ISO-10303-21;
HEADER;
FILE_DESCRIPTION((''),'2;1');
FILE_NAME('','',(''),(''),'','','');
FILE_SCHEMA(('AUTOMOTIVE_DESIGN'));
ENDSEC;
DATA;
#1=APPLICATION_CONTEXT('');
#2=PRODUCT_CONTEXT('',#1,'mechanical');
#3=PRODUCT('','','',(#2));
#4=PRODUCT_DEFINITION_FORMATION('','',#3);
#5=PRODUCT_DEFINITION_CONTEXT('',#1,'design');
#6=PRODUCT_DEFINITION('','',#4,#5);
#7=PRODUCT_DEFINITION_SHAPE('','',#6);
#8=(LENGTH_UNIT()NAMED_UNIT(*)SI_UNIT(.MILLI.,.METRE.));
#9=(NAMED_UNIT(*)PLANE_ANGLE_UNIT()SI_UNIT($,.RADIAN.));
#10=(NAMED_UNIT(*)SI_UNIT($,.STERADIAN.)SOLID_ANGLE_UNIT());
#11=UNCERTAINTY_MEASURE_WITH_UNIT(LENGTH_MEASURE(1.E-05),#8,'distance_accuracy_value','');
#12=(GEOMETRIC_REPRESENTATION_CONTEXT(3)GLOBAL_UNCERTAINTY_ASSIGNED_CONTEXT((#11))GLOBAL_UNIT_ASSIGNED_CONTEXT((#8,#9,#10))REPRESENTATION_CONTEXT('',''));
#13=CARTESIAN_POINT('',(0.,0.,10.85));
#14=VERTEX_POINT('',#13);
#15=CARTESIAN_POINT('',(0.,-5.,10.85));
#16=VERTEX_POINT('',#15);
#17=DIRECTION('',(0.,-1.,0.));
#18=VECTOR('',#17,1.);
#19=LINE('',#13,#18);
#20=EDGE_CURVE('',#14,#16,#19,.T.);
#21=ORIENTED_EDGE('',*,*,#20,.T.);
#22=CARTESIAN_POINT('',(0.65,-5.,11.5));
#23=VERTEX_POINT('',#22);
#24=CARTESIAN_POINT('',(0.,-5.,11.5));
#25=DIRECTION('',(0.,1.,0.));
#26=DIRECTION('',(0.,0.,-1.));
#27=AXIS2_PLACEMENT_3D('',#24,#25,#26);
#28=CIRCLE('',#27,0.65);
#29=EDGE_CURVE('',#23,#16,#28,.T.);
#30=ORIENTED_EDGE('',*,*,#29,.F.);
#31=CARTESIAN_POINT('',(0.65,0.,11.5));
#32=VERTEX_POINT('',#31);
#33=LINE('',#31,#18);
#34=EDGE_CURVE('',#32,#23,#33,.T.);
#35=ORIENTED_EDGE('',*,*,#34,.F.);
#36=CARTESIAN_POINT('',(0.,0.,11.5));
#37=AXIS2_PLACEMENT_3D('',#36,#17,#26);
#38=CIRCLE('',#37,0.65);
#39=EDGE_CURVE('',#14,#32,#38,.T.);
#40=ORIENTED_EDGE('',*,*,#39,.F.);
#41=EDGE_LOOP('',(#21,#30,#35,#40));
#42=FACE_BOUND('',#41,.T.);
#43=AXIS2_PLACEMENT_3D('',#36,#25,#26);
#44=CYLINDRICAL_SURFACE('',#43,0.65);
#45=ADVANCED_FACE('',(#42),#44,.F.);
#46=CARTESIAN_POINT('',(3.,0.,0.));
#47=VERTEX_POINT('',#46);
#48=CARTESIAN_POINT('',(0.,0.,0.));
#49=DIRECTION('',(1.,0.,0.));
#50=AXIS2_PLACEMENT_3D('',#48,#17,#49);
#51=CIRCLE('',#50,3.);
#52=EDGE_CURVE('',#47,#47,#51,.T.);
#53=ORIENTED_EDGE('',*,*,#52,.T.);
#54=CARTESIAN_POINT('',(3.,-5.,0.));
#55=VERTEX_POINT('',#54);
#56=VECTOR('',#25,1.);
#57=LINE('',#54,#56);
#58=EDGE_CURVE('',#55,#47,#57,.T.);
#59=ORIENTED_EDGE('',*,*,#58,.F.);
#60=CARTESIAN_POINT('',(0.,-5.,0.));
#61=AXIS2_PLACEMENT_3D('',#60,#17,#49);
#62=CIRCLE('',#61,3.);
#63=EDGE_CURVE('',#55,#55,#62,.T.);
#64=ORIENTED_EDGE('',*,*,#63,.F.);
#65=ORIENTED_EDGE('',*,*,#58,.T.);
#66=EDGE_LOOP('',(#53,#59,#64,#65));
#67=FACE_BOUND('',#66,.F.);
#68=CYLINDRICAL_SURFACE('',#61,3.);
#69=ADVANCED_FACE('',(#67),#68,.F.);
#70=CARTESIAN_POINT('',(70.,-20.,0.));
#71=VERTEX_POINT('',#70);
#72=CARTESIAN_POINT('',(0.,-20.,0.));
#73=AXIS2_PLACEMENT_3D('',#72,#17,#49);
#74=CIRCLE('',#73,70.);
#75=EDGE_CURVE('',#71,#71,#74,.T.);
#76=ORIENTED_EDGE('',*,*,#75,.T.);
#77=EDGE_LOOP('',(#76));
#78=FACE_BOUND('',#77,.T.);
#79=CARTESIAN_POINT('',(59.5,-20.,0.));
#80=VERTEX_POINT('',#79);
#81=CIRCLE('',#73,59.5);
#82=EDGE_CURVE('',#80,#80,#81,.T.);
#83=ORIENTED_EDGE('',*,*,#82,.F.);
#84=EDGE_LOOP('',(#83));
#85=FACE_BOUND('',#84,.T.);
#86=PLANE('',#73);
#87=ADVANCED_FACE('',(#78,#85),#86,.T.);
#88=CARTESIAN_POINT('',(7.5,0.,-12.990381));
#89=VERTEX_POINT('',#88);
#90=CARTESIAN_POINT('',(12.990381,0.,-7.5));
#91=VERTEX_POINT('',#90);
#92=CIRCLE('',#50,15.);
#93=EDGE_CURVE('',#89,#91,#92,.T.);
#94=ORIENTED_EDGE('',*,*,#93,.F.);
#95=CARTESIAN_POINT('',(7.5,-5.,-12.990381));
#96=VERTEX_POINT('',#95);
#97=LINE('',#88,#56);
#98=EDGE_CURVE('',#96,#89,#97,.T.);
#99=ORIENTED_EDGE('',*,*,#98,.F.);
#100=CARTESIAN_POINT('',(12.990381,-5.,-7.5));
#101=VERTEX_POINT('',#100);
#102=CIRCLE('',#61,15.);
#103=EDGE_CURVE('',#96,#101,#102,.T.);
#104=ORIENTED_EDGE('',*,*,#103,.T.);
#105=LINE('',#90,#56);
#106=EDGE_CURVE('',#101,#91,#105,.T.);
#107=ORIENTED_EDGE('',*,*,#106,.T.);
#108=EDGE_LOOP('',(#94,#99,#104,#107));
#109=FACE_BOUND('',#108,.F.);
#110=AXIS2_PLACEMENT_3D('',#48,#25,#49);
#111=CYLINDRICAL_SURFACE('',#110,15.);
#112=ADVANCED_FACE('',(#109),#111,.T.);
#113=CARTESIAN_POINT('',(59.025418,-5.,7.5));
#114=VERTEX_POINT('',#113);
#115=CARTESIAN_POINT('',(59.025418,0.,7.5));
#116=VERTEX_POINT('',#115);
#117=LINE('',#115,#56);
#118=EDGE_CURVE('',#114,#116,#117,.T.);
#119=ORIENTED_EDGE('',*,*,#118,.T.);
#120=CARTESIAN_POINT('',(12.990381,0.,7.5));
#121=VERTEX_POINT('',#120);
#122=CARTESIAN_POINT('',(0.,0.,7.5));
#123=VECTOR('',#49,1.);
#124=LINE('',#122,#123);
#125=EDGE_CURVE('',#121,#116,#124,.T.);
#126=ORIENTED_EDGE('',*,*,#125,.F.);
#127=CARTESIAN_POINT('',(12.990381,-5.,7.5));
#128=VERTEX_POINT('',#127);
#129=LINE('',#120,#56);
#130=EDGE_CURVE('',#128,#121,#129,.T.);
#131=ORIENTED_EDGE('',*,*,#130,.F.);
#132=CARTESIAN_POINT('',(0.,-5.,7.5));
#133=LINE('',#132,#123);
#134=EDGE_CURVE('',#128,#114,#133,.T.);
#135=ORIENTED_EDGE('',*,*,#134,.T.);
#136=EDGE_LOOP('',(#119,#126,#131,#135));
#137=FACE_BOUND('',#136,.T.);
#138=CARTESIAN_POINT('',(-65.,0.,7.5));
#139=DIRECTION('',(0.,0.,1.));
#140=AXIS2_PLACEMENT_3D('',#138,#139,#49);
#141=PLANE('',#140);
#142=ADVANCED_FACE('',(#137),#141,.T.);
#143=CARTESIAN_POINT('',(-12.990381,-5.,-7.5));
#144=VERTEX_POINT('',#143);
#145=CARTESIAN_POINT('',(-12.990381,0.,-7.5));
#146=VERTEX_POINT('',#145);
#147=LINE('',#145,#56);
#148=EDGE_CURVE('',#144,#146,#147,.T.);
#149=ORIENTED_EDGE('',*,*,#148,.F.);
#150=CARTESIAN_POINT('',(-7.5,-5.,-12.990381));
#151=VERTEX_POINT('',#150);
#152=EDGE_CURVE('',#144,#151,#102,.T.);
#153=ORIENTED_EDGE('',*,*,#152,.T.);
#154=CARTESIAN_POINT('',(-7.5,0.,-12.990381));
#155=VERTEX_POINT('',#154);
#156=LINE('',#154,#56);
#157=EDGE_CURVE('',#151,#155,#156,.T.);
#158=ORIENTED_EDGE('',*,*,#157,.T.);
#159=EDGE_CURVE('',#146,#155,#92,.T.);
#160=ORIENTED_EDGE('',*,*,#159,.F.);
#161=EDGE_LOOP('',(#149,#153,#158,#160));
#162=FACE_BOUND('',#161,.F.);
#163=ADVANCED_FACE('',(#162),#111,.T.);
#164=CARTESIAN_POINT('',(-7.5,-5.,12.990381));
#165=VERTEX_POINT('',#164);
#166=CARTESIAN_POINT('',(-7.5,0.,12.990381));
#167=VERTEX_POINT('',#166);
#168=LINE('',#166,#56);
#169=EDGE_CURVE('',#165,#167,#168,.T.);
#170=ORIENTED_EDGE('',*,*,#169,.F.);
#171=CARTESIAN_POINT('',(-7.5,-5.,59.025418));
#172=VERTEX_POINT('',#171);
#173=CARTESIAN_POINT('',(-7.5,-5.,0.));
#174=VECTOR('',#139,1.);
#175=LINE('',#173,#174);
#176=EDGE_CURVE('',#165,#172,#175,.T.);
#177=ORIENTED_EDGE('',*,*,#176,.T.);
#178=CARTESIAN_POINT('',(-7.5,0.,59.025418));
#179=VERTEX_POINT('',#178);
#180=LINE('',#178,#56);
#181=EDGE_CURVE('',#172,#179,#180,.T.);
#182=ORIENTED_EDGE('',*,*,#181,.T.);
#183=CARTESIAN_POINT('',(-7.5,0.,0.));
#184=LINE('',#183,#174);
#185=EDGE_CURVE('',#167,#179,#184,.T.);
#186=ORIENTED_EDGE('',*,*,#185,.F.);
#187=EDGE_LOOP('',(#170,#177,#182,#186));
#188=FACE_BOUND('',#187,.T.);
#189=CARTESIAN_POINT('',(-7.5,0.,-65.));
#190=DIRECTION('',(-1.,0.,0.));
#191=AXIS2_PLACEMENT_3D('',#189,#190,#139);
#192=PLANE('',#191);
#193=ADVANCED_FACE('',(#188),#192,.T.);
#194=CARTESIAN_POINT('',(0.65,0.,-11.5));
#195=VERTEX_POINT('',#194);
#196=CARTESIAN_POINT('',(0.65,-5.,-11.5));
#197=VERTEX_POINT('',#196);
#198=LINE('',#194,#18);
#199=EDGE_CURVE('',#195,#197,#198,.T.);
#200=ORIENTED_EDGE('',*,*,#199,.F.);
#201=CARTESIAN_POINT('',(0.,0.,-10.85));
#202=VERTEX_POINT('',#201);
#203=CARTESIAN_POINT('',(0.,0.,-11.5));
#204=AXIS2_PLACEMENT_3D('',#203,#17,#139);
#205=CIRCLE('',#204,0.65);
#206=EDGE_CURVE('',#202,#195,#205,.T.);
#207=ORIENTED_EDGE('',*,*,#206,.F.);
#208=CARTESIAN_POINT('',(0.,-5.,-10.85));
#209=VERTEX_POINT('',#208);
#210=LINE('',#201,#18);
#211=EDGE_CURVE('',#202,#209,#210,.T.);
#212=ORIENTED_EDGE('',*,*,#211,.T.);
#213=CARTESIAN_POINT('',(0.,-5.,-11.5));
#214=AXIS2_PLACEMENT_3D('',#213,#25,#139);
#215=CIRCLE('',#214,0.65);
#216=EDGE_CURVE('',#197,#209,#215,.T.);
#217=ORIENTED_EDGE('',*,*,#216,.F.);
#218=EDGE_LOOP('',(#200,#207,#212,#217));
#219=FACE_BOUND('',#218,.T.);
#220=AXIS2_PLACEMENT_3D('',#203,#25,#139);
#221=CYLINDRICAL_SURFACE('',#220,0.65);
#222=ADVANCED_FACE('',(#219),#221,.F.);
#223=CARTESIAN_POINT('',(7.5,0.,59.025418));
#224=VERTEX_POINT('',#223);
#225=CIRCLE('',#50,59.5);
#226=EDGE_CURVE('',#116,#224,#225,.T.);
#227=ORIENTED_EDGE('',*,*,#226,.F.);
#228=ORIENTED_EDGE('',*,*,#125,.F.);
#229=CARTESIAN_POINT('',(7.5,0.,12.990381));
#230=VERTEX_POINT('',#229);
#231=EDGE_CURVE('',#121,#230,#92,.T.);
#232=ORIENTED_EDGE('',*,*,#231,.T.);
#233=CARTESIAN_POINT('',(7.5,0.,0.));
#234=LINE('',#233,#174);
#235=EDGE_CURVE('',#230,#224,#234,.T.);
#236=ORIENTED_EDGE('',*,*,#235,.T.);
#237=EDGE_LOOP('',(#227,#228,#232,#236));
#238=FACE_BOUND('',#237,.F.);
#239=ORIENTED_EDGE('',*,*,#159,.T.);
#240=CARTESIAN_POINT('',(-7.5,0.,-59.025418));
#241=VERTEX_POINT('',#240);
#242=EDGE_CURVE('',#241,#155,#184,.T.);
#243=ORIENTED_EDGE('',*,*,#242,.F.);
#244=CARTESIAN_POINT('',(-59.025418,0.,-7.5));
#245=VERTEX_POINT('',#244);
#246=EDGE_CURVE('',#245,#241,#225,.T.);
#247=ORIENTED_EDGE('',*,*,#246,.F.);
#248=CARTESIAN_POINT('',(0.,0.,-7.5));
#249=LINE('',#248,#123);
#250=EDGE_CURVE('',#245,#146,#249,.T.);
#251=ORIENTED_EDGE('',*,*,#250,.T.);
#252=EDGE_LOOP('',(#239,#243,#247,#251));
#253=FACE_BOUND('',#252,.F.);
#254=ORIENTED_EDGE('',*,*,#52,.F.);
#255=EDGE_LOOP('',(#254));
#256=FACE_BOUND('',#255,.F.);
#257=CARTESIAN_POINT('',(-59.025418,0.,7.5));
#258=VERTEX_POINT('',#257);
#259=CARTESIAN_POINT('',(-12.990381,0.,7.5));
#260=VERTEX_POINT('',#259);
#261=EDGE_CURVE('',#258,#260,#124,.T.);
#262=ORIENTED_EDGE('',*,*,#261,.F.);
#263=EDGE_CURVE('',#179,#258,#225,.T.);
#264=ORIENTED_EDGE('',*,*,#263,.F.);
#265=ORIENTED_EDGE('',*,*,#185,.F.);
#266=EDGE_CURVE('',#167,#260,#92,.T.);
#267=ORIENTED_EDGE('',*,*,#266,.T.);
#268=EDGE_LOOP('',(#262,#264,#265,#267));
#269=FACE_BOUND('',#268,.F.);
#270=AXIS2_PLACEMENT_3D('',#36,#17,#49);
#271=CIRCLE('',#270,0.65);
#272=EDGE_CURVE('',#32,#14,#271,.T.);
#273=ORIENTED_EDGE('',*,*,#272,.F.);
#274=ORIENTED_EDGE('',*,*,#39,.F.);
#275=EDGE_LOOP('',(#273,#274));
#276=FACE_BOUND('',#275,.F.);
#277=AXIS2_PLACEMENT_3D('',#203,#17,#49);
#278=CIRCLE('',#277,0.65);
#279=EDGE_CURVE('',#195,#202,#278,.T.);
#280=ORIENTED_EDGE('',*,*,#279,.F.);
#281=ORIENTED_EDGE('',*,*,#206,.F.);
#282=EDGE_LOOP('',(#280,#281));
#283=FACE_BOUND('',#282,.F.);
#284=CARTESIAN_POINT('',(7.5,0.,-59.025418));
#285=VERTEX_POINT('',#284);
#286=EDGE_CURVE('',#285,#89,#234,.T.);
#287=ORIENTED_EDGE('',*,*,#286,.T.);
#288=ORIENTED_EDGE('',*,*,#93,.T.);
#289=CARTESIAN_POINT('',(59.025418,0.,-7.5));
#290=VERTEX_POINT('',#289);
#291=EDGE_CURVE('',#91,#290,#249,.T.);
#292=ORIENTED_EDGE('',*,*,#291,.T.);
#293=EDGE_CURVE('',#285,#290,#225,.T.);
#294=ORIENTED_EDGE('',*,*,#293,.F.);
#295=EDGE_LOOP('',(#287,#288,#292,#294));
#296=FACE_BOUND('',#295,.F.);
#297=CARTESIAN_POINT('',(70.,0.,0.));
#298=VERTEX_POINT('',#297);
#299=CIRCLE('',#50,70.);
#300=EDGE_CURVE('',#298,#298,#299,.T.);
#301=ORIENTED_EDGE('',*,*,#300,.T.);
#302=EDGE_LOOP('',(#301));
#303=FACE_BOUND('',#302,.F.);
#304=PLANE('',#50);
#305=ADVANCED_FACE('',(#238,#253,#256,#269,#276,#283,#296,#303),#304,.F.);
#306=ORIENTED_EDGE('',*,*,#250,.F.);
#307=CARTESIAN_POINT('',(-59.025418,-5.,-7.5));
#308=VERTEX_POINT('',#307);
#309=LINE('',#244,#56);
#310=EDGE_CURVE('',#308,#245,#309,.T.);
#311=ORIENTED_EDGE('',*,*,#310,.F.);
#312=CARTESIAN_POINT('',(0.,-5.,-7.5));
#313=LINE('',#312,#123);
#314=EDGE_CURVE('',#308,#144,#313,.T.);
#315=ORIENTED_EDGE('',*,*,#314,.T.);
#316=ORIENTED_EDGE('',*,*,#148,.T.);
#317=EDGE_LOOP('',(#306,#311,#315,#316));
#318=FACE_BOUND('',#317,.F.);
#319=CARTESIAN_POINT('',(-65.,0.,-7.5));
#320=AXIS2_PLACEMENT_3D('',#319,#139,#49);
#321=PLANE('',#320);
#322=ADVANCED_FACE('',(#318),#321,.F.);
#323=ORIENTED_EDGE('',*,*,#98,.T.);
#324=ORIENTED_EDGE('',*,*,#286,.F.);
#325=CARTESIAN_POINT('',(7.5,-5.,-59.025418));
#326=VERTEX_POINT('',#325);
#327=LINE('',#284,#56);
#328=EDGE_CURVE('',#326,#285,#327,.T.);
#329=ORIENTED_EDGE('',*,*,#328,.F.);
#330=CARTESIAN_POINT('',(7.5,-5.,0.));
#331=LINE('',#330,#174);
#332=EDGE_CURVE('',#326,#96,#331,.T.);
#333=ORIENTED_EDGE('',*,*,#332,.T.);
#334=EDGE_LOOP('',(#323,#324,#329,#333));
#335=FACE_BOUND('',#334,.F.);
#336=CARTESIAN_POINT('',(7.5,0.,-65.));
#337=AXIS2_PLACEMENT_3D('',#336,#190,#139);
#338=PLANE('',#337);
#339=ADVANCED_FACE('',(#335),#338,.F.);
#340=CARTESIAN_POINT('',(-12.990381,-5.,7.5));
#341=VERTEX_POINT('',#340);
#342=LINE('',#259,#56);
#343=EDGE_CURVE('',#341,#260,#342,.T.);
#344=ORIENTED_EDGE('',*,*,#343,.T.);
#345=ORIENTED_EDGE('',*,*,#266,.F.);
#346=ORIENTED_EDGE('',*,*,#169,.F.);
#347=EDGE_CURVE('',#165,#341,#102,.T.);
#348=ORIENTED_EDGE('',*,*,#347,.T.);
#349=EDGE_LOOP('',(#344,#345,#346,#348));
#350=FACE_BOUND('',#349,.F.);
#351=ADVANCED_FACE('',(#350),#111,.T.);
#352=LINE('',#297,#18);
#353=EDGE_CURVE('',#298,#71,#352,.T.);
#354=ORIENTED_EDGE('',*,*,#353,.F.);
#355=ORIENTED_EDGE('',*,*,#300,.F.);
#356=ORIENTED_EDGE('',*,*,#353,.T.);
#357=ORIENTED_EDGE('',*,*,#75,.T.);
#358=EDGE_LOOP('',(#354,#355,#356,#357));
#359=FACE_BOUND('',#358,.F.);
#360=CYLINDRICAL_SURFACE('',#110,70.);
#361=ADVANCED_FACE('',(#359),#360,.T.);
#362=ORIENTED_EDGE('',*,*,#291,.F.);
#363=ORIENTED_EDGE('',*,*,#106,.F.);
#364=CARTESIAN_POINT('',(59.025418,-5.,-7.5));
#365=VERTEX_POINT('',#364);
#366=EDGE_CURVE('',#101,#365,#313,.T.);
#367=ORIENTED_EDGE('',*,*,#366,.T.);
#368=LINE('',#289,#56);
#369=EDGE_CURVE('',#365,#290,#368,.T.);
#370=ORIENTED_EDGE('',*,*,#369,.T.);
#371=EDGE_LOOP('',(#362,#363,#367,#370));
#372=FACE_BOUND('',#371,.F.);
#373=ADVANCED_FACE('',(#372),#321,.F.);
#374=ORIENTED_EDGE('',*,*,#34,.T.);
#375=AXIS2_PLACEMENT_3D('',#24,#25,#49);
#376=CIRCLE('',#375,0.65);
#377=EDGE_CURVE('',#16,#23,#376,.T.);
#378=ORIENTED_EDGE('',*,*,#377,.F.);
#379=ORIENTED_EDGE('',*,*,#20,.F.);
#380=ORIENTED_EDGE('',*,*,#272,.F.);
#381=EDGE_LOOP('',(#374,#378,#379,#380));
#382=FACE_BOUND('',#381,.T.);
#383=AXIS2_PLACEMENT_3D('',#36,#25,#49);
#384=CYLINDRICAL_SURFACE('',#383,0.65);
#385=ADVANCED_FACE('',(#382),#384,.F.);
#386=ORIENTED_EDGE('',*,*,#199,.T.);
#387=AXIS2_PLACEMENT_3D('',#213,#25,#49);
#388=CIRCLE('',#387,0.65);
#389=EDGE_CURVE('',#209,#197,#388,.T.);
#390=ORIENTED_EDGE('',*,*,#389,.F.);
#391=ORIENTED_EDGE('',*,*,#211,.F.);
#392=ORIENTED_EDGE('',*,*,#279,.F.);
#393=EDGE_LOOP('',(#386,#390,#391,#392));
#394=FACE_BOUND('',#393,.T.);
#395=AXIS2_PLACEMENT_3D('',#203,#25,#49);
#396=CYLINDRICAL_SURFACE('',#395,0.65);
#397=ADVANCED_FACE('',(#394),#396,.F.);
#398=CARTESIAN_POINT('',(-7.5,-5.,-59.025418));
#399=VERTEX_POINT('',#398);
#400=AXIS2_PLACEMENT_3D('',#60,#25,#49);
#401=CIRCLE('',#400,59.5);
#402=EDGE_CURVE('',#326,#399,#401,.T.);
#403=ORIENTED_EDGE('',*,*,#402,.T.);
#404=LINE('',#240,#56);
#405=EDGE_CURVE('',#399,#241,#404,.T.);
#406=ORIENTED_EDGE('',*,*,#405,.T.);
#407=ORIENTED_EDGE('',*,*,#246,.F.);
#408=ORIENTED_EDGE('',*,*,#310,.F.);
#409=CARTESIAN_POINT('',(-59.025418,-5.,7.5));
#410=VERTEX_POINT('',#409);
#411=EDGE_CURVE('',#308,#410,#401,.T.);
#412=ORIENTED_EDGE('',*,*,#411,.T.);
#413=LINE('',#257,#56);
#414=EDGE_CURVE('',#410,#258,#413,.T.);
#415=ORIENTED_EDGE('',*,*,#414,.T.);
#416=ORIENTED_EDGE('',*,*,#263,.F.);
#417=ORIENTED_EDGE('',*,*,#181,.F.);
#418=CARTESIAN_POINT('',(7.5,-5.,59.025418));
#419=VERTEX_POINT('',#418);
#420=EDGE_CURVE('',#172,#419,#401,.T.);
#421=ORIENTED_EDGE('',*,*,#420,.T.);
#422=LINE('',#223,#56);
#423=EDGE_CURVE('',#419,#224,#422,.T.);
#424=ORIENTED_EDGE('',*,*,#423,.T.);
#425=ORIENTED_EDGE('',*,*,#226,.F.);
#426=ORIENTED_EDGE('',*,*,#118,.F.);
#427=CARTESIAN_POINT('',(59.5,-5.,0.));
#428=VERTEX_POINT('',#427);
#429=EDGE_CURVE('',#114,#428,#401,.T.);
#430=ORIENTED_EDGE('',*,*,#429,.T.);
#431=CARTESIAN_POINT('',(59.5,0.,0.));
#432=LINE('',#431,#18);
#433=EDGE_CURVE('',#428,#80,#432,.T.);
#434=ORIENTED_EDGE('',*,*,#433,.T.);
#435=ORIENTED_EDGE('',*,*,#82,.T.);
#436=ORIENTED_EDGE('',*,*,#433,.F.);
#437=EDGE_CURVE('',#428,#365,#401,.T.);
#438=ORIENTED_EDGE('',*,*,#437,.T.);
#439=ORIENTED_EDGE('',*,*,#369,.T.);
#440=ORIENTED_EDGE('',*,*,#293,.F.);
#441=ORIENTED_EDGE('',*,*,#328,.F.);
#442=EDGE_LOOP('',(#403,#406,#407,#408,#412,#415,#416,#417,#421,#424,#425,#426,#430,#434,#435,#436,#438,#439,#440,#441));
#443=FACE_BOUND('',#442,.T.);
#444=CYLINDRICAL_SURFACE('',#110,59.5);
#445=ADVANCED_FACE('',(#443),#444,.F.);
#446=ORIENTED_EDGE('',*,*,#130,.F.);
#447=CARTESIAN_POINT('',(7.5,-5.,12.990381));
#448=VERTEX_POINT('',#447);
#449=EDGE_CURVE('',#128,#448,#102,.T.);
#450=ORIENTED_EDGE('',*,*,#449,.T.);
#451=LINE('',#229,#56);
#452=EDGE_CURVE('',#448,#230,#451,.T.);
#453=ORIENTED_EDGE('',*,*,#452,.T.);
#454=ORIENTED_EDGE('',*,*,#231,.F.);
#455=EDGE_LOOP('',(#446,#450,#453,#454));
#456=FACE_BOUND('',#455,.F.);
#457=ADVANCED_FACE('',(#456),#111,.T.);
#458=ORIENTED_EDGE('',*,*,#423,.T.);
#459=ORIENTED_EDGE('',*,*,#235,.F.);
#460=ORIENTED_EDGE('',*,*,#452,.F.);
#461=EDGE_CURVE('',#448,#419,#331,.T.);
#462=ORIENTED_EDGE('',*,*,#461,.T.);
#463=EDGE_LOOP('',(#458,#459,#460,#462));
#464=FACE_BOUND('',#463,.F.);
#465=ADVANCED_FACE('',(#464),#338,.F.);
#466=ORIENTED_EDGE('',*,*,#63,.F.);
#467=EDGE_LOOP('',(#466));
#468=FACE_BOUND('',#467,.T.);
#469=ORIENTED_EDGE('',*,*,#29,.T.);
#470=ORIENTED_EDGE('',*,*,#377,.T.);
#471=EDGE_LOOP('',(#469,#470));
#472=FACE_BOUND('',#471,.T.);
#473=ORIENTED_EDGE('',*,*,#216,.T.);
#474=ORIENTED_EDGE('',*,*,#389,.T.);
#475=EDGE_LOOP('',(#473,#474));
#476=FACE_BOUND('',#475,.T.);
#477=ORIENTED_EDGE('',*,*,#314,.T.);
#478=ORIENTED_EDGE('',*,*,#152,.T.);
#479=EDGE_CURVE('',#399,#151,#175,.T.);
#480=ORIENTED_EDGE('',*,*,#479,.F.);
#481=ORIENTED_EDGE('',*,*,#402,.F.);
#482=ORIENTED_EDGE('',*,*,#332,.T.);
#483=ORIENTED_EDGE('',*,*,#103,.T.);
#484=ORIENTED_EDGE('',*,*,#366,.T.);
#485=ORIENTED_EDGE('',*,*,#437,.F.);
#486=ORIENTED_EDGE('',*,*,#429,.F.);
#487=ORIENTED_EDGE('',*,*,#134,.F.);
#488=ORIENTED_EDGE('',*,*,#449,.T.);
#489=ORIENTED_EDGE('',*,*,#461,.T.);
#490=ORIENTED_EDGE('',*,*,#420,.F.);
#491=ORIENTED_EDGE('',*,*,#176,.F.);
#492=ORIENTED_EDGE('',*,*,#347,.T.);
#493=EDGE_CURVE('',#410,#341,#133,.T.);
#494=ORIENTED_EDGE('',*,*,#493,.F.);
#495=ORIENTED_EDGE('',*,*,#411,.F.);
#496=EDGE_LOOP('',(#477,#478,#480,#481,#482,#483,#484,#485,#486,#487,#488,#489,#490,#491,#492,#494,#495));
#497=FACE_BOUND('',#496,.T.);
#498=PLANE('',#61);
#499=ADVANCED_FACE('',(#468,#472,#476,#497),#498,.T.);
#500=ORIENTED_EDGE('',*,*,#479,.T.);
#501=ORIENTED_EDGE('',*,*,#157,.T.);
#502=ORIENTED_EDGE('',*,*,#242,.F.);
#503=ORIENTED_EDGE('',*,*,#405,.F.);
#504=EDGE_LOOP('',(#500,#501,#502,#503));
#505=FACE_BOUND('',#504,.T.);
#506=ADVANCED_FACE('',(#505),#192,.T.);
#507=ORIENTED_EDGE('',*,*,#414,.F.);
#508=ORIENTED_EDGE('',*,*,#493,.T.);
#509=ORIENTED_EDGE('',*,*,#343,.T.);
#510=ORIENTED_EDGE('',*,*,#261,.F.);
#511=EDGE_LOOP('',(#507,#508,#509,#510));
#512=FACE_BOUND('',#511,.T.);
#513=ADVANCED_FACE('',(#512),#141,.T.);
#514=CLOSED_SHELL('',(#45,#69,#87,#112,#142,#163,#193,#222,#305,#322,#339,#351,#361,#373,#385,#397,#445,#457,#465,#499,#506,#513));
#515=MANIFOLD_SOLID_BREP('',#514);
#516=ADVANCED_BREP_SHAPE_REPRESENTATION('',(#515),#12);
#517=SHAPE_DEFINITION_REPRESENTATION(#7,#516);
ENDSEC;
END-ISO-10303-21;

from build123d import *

# Parameters (mm, degrees)
F2_R      = 70
F2_R_2    = 59.5
F3_DEPTH  = 20
F4_R      = 15
F5_DEPTH  = 5
F6_W      = 130
F6_H      = 15
F7_DEPTH  = 5
F8_W      = 15
F8_H      = 130
F9_DEPTH  = 5
F11_R     = 3
F12_DEPTH = 5.001
F14_DEPTH = 25


with BuildPart() as f3:
    # F2 (on Front) → F3 (new body)
    with BuildSketch(Plane.XZ):
        Circle(F2_R)
        Circle(F2_R_2, mode=Mode.SUBTRACT)
    extrude(amount=F3_DEPTH)


with BuildPart() as f5:
    # F4 (on Front) → F5 (new body)
    with BuildSketch(Plane.XZ):
        Circle(F4_R)
    extrude(amount=F5_DEPTH)


with BuildPart() as f7:
    # F6 (on Front) → F7 (new body)
    with BuildSketch(Plane.XZ):
        Rectangle(F6_W, F6_H)
    extrude(amount=F7_DEPTH)


with BuildPart() as f9:
    # F8 (on Front) → F9 (new body)
    with BuildSketch(Plane.XZ):
        Rectangle(F8_W, F8_H)
    extrude(amount=F9_DEPTH)


with BuildPart() as f3_1:
    add(f3.part)

    # F10: union F5, F7, F9
    add(f5.part)
    add(f7.part)
    add(f9.part)

    # F11 (on face) → F12 (cut, through all)
    with BuildSketch(Plane.XZ.offset(5)):
        Circle(F11_R)
    extrude(amount=-F12_DEPTH, mode=Mode.SUBTRACT)

    # F13 (on Front) → F14 (cut)
    with BuildSketch(Plane.XZ):
        with BuildLine():
            ThreePointArc((0.65, -11.5), (0.4596194078, -11.0403805922), (0, -10.85))
            ThreePointArc((0, -10.85), (-0.4596194078, -11.9596194078), (0.65, -11.5))
        make_face()
        with BuildLine():
            ThreePointArc((0.65, 11.5), (-0.4596194078, 11.9596194078), (0, 10.85))
            ThreePointArc((0, 10.85), (0.4596194078, 11.0403805922), (0.65, 11.5))
        make_face()
    extrude(amount=F14_DEPTH, mode=Mode.SUBTRACT)


solid = f3_1.part
